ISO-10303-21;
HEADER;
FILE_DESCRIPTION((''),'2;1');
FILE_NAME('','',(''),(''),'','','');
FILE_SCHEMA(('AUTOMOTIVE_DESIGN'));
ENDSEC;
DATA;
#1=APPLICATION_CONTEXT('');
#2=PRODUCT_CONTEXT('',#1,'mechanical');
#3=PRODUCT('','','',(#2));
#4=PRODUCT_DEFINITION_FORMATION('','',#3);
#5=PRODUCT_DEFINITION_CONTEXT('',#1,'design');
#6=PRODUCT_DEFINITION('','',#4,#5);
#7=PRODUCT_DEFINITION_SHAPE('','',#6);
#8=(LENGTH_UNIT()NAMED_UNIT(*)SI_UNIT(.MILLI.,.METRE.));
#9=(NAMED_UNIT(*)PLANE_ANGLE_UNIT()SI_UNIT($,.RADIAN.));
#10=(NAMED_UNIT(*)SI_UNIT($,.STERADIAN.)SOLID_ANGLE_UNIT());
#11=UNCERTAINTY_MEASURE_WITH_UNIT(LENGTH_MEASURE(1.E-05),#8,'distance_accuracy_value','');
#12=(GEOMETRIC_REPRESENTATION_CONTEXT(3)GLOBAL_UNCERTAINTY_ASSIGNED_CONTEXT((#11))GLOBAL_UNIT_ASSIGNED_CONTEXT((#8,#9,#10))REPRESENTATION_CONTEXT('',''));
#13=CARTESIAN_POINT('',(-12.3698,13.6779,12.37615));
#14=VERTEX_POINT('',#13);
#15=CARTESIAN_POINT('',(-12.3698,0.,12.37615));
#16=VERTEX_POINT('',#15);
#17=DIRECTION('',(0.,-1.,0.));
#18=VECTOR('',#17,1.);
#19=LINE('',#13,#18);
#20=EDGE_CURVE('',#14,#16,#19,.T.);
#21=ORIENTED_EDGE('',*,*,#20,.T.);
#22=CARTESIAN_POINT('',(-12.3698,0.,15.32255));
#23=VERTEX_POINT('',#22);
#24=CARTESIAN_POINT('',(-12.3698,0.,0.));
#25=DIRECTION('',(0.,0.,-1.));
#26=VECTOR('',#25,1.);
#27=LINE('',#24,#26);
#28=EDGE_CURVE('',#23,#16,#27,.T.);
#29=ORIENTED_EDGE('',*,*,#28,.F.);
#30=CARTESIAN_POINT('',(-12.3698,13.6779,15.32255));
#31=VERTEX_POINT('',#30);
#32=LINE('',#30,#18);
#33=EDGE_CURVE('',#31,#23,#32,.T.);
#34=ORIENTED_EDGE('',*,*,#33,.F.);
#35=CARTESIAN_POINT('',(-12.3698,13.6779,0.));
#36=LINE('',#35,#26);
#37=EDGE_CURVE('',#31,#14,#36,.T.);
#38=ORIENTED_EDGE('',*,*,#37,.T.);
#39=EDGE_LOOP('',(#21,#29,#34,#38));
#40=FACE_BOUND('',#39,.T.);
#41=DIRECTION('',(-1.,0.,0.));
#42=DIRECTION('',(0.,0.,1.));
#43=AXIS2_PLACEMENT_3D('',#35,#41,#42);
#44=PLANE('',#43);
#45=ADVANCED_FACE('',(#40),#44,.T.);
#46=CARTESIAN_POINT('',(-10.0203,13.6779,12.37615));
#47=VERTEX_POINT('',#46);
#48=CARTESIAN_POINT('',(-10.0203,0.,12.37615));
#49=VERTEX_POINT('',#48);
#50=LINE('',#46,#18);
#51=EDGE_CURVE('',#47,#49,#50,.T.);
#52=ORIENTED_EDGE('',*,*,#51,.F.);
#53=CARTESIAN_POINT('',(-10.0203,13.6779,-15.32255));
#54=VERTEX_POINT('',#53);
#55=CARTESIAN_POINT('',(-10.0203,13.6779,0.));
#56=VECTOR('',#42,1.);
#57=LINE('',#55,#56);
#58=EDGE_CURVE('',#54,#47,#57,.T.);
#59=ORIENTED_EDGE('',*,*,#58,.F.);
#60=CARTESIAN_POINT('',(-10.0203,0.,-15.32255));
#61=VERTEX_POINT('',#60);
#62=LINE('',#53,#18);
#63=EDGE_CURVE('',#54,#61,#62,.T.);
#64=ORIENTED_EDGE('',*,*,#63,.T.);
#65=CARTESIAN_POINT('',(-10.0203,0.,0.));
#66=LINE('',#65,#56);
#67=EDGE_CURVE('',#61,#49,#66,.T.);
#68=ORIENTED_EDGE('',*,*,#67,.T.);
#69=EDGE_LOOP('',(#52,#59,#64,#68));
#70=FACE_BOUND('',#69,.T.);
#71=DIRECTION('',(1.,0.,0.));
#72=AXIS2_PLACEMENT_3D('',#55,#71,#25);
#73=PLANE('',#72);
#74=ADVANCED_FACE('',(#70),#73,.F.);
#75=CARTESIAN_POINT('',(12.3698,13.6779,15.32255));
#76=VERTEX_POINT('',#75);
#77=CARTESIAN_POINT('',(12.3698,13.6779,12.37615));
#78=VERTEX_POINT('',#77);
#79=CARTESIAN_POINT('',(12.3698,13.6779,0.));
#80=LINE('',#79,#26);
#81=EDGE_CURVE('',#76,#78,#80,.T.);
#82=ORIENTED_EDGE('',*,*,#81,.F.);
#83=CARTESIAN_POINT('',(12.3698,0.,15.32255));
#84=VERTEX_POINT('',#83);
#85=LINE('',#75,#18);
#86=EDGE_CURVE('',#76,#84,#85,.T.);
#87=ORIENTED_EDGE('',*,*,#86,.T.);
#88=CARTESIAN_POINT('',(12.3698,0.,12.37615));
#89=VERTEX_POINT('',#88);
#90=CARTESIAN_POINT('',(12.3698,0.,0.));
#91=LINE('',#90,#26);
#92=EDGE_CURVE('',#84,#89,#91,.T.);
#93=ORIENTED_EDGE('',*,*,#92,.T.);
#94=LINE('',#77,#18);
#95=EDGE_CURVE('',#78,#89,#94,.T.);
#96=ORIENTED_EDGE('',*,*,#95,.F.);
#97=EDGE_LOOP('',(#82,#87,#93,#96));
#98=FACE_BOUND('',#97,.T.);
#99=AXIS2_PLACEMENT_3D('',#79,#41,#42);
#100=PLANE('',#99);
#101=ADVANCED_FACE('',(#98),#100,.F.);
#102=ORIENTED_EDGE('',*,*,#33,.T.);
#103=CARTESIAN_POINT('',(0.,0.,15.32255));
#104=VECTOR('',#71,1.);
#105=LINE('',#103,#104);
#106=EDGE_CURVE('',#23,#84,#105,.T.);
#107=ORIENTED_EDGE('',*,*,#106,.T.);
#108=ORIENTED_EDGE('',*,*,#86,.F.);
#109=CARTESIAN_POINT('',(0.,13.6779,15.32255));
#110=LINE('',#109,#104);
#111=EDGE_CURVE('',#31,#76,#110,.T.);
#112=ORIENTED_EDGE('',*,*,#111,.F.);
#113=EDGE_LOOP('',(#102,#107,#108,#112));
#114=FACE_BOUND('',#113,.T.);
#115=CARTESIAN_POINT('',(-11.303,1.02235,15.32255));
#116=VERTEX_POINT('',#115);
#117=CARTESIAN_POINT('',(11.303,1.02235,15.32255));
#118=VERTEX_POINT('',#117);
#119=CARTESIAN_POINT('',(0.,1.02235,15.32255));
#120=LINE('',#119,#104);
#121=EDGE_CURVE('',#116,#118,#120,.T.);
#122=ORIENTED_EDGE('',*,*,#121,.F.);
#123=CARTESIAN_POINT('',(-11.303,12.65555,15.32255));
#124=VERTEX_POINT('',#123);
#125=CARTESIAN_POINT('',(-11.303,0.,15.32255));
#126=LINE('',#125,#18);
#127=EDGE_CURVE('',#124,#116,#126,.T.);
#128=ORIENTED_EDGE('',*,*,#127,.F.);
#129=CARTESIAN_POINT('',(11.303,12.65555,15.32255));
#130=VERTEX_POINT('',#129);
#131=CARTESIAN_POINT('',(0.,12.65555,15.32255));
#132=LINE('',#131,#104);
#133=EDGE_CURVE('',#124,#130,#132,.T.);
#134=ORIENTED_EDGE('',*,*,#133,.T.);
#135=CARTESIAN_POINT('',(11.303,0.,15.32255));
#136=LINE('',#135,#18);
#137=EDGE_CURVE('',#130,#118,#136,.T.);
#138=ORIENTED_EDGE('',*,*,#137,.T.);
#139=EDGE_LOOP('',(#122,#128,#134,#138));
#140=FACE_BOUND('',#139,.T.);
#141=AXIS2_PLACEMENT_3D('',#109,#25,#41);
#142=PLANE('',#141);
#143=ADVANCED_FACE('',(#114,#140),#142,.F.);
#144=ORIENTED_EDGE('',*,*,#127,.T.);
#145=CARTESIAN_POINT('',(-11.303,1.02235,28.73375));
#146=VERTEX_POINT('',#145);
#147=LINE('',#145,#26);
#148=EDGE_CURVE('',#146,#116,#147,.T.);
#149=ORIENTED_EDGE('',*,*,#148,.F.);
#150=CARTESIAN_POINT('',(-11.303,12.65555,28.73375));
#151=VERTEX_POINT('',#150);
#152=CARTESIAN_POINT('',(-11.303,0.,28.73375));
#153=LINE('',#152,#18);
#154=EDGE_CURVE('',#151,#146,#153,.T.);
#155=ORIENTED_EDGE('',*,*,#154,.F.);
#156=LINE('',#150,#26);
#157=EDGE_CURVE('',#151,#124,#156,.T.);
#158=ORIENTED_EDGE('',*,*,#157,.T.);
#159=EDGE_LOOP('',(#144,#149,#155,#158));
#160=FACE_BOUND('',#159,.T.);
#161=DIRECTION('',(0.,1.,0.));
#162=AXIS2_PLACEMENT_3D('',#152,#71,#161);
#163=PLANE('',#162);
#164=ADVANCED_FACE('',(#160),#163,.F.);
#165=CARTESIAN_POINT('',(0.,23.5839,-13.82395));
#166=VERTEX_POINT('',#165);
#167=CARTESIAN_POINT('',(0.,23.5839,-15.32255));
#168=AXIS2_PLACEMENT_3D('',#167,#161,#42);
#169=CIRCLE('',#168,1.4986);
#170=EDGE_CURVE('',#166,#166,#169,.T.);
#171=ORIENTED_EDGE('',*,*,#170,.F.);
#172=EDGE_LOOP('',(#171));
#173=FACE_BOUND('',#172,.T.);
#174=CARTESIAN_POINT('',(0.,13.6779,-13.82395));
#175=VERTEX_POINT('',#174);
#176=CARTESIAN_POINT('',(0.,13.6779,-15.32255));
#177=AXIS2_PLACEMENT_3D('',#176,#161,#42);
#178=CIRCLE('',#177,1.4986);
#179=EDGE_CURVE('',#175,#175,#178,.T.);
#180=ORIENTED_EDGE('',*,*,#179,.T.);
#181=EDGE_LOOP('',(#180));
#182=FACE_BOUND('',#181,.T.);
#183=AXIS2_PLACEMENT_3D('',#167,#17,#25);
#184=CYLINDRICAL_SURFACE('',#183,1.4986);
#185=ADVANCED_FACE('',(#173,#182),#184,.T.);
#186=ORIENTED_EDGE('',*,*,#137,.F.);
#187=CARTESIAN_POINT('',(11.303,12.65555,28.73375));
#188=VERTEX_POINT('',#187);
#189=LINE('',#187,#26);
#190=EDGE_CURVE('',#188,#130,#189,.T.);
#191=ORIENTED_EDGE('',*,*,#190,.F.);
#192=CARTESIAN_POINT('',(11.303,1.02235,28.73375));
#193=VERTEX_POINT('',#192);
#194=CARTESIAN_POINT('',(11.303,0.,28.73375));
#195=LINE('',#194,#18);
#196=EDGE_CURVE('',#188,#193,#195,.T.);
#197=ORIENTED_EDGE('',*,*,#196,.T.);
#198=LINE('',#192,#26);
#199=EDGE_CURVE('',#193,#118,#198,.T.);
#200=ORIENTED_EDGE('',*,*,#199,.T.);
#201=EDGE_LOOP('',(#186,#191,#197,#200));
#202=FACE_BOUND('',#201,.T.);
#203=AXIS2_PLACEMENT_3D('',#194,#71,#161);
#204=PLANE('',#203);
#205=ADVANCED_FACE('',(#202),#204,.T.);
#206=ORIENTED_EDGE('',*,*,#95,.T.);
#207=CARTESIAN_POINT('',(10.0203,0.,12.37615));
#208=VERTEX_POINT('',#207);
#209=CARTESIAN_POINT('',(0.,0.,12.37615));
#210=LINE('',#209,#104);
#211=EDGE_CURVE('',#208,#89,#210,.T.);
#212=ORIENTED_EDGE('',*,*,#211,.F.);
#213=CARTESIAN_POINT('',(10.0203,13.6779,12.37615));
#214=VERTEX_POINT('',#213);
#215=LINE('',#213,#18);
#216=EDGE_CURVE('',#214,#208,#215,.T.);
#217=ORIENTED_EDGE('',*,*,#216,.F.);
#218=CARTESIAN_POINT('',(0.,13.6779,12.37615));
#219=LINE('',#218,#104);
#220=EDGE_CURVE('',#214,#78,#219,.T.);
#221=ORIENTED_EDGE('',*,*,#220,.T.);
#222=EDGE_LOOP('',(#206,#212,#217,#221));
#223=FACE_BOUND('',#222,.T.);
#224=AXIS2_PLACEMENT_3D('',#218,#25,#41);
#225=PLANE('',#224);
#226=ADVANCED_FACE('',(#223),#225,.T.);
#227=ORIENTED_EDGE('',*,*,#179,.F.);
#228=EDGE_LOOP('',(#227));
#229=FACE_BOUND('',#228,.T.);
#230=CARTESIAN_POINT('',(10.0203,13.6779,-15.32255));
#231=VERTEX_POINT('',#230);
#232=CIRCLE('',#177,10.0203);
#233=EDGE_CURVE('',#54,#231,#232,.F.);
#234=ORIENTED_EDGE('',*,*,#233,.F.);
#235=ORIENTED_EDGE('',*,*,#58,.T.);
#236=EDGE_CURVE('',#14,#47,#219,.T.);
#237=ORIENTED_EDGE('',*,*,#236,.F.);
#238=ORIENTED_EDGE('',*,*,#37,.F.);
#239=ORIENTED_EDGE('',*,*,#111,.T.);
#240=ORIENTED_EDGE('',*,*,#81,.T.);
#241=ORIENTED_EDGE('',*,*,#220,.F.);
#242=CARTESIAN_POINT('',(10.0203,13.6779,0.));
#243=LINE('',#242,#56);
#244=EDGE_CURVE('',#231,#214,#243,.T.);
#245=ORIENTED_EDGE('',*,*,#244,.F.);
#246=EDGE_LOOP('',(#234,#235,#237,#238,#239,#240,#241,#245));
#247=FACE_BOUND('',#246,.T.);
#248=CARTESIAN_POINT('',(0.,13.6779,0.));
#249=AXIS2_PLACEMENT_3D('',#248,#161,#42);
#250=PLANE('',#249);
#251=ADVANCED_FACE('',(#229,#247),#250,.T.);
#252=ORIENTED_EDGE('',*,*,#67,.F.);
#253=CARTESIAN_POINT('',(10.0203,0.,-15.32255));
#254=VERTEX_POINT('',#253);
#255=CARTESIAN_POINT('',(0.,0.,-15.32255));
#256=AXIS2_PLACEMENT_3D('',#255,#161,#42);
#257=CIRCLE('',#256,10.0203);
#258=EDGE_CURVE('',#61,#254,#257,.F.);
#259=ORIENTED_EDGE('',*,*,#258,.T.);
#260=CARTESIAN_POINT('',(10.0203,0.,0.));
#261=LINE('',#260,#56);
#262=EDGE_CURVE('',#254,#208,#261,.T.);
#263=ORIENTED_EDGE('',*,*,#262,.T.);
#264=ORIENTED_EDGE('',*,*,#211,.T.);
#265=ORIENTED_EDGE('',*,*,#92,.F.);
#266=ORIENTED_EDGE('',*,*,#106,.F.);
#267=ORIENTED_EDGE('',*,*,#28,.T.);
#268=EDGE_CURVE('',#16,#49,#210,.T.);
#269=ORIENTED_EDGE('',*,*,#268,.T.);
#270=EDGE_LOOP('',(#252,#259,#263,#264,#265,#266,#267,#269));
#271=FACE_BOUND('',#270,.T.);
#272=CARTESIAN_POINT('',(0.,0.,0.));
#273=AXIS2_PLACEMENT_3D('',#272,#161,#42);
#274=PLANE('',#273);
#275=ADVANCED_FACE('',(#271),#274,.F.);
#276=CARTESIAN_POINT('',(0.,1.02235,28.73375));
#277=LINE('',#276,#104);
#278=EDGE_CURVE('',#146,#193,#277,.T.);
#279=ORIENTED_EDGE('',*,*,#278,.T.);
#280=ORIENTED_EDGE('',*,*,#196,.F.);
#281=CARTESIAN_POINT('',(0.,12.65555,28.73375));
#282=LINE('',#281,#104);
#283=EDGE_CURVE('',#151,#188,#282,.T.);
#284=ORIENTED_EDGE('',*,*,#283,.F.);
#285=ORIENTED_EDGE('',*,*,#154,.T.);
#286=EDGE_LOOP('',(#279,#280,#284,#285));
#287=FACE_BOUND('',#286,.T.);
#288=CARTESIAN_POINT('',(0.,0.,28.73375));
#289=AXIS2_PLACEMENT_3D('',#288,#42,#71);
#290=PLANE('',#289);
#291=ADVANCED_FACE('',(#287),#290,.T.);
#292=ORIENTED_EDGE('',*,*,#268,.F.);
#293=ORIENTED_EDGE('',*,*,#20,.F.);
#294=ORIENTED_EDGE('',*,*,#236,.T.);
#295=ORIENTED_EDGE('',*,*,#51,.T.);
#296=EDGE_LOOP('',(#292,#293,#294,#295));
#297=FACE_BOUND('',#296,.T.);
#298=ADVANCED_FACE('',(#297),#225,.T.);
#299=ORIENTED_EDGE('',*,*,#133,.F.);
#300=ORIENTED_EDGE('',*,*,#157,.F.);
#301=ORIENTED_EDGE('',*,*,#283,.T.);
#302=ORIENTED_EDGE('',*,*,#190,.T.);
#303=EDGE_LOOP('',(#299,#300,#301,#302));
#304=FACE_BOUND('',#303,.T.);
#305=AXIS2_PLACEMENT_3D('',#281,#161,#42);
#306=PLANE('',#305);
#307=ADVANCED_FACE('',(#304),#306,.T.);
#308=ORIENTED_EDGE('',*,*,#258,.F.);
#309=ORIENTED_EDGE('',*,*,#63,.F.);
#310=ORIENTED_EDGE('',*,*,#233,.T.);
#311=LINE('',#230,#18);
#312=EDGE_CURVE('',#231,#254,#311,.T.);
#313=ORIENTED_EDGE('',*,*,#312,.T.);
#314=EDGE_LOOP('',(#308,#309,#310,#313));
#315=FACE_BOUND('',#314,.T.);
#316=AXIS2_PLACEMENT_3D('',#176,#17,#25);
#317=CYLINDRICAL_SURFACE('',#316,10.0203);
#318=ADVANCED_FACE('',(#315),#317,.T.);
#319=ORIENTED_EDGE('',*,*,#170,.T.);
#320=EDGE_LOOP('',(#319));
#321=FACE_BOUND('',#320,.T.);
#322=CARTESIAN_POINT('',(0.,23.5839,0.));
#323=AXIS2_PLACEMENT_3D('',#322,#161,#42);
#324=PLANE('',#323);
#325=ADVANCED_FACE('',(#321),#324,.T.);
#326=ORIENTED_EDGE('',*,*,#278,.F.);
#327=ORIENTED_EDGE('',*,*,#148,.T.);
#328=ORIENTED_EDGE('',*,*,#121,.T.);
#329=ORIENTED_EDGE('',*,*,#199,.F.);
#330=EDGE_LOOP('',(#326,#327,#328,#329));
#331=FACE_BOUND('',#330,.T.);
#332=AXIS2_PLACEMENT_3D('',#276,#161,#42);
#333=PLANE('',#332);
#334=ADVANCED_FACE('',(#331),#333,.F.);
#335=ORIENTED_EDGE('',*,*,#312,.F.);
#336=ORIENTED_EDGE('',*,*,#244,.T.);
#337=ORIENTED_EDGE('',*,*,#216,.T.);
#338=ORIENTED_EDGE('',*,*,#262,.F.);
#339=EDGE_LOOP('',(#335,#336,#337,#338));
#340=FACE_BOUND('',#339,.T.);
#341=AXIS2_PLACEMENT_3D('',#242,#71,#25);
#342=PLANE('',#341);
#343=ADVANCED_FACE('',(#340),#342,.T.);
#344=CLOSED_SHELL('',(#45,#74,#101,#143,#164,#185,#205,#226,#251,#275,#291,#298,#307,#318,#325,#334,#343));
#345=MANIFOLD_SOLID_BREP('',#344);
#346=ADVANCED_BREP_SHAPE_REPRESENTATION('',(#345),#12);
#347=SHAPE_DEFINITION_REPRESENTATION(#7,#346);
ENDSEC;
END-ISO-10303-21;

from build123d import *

# Parameters (mm, degrees)
SKETCH1_W           = 20.0406
SKETCH1_H           = 27.6987
SKETCH1_H_2         = 2.9464
SKETCH1_W_2         = 2.3495
BOSS_EXTRUDE1_DEPTH = 13.6779
SKETCH2_W           = 22.606
SKETCH2_H           = 11.6332
BOSS_EXTRUDE2_DEPTH = 13.4112
SKETCH3_R           = 1.4986
BOSS_EXTRUDE3_DEPTH = 9.906


with BuildPart() as part:
    # Sketch1 → Boss-Extrude1 (new body)
    with BuildSketch(Plane(origin=(0, 0, 0), x_dir=(1, 0, 0), z_dir=(0, 1, 0))):
        with Locations((0, 1.4732)):
            Rectangle(SKETCH1_W, SKETCH1_H)
        with Locations((0, -13.84935)):
            Rectangle(SKETCH1_W, SKETCH1_H_2)
        with Locations((-11.19505, -13.84935)):
            Rectangle(SKETCH1_W_2, SKETCH1_H_2)
        with Locations((11.19505, -13.84935)):
            Rectangle(SKETCH1_W_2, SKETCH1_H_2)
        with BuildLine():
            ThreePointArc((-10.0203, 15.32255), (0, 25.34285), (10.0203, 15.32255))
            Line((10.0203, 15.32255), (-10.0203, 15.32255))
        make_face()
    extrude(amount=BOSS_EXTRUDE1_DEPTH)

    # Sketch2 → Boss-Extrude2 (add)
    with BuildSketch(Plane.XY.offset(15.32255)):
        with Locations((0, 6.83895)):
            Rectangle(SKETCH2_W, SKETCH2_H)
    extrude(amount=BOSS_EXTRUDE2_DEPTH)

    # Sketch3 → Boss-Extrude3 (add)
    with BuildSketch(Plane(origin=(0, 13.6779, 0), x_dir=(1, 0, 0), z_dir=(0, 1, 0))):
        with Locations(Location((0, 15.32255, 0), (0, 0, 270))):
            Circle(SKETCH3_R)
    extrude(amount=BOSS_EXTRUDE3_DEPTH)


solid = part.part
